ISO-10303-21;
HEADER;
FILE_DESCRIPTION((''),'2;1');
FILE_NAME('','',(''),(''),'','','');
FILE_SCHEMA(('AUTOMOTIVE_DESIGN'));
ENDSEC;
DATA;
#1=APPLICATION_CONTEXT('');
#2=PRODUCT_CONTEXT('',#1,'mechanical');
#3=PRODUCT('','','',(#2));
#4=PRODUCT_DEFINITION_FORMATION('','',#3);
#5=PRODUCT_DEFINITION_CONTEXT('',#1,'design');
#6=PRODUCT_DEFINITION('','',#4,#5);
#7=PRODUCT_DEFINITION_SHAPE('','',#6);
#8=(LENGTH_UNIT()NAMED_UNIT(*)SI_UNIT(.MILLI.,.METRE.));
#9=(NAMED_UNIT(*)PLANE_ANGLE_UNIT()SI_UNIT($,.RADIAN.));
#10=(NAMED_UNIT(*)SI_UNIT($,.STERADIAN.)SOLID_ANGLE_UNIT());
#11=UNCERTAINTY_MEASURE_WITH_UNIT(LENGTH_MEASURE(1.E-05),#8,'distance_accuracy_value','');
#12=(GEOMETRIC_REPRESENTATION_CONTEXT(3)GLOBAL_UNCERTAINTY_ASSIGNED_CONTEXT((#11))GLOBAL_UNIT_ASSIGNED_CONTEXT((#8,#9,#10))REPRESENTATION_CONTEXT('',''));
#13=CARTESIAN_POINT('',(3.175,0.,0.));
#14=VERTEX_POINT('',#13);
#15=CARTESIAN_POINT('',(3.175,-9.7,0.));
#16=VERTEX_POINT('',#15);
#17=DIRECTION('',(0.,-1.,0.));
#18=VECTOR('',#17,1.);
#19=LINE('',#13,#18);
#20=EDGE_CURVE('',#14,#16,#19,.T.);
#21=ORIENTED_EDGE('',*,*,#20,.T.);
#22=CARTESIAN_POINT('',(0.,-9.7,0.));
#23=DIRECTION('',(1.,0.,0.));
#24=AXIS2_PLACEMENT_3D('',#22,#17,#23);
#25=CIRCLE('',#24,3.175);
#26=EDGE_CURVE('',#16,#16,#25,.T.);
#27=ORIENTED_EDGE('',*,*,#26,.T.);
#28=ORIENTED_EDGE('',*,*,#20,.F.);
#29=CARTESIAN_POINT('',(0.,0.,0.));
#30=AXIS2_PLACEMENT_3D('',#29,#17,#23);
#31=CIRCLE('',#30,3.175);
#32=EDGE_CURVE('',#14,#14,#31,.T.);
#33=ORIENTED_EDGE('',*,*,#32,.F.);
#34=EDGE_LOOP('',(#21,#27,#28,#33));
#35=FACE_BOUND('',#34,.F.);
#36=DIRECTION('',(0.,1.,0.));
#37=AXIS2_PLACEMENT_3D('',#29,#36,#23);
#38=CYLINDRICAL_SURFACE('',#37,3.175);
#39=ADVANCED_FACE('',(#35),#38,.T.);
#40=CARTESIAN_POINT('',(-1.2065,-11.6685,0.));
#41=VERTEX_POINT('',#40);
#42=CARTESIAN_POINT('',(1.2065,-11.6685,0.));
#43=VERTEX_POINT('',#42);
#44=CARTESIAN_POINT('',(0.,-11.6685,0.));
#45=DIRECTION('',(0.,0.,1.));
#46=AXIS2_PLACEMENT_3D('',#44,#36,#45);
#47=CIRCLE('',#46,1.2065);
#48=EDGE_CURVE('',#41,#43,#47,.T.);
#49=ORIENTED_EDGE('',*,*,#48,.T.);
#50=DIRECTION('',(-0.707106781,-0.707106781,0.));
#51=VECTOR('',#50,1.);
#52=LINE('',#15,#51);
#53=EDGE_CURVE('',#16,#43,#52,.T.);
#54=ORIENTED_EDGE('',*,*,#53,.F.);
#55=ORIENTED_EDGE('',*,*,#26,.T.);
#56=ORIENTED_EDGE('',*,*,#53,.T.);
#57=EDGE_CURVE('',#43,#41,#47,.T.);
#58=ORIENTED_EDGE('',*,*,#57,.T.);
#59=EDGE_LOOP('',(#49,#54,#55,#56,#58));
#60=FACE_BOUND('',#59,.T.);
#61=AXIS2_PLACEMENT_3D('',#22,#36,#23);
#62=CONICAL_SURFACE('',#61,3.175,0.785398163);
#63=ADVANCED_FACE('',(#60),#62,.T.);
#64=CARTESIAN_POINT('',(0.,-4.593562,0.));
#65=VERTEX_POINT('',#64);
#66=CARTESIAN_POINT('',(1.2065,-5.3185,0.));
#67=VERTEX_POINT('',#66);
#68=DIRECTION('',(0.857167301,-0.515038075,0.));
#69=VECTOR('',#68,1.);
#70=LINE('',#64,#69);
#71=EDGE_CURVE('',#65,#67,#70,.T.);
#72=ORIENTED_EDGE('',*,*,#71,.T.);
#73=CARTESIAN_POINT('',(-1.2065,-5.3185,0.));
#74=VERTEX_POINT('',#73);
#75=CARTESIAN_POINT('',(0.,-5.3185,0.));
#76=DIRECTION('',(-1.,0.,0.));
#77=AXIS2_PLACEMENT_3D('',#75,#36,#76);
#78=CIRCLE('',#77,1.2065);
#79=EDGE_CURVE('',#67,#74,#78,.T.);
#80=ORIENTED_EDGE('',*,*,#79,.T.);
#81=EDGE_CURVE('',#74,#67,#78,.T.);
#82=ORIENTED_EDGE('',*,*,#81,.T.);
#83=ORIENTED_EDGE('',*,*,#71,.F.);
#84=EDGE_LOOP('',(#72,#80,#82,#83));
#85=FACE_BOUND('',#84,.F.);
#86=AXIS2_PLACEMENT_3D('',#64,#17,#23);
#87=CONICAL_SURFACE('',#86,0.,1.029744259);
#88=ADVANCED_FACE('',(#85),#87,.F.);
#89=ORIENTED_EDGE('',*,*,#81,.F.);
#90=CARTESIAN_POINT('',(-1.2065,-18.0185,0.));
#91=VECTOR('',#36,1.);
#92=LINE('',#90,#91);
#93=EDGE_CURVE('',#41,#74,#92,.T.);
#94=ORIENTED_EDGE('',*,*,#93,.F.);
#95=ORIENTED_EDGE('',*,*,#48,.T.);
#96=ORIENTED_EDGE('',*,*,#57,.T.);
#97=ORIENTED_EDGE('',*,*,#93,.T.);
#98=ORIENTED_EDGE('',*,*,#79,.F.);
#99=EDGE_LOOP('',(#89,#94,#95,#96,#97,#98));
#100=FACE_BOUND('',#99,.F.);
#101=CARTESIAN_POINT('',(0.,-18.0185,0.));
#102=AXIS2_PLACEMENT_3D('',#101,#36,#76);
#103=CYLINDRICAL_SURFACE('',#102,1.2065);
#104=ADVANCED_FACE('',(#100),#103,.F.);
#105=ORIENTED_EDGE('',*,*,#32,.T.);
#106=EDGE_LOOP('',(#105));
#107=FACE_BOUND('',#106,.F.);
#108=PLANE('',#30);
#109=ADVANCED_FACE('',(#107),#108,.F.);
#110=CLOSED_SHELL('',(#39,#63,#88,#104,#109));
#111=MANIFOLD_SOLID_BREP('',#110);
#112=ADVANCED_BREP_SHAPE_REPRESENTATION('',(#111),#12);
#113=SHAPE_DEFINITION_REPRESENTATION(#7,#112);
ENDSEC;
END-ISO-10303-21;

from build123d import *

# Parameters (mm, degrees)
F0_R     = 3.175
F1_DEPTH = 12.7
F2_SIZE  = 3
F4_D     = 2.413
F4_DEPTH = 6.35
F4_START = 1.0315
F4_TIP   = 0.7249383369


with BuildPart() as f1:
    # F0 (on Front) → F1 (new body)
    with BuildSketch(Plane.XZ):
        Circle(F0_R)
    extrude(amount=F1_DEPTH)

    # F2
    f2_edges = [f1.edges().sort_by_distance(p)[0] for p in [
        (-3.175, -12.7, 0),
    ]]
    chamfer(f2_edges, length=F2_SIZE)

    # F4
    # its depths count from where the whole tool has entered the part; down to there all is cleared
    with Locations(Plane.XZ.offset(12.7).offset(-F4_START)):
        with Locations((0, 0)):
            Hole(F4_D / 2, depth=F4_DEPTH)
            with Locations((0, 0, -(F4_DEPTH + F4_TIP / 2))):  # 118° drill point
                Cone(0, F4_D / 2, F4_TIP, mode=Mode.SUBTRACT)


solid = f1.part
